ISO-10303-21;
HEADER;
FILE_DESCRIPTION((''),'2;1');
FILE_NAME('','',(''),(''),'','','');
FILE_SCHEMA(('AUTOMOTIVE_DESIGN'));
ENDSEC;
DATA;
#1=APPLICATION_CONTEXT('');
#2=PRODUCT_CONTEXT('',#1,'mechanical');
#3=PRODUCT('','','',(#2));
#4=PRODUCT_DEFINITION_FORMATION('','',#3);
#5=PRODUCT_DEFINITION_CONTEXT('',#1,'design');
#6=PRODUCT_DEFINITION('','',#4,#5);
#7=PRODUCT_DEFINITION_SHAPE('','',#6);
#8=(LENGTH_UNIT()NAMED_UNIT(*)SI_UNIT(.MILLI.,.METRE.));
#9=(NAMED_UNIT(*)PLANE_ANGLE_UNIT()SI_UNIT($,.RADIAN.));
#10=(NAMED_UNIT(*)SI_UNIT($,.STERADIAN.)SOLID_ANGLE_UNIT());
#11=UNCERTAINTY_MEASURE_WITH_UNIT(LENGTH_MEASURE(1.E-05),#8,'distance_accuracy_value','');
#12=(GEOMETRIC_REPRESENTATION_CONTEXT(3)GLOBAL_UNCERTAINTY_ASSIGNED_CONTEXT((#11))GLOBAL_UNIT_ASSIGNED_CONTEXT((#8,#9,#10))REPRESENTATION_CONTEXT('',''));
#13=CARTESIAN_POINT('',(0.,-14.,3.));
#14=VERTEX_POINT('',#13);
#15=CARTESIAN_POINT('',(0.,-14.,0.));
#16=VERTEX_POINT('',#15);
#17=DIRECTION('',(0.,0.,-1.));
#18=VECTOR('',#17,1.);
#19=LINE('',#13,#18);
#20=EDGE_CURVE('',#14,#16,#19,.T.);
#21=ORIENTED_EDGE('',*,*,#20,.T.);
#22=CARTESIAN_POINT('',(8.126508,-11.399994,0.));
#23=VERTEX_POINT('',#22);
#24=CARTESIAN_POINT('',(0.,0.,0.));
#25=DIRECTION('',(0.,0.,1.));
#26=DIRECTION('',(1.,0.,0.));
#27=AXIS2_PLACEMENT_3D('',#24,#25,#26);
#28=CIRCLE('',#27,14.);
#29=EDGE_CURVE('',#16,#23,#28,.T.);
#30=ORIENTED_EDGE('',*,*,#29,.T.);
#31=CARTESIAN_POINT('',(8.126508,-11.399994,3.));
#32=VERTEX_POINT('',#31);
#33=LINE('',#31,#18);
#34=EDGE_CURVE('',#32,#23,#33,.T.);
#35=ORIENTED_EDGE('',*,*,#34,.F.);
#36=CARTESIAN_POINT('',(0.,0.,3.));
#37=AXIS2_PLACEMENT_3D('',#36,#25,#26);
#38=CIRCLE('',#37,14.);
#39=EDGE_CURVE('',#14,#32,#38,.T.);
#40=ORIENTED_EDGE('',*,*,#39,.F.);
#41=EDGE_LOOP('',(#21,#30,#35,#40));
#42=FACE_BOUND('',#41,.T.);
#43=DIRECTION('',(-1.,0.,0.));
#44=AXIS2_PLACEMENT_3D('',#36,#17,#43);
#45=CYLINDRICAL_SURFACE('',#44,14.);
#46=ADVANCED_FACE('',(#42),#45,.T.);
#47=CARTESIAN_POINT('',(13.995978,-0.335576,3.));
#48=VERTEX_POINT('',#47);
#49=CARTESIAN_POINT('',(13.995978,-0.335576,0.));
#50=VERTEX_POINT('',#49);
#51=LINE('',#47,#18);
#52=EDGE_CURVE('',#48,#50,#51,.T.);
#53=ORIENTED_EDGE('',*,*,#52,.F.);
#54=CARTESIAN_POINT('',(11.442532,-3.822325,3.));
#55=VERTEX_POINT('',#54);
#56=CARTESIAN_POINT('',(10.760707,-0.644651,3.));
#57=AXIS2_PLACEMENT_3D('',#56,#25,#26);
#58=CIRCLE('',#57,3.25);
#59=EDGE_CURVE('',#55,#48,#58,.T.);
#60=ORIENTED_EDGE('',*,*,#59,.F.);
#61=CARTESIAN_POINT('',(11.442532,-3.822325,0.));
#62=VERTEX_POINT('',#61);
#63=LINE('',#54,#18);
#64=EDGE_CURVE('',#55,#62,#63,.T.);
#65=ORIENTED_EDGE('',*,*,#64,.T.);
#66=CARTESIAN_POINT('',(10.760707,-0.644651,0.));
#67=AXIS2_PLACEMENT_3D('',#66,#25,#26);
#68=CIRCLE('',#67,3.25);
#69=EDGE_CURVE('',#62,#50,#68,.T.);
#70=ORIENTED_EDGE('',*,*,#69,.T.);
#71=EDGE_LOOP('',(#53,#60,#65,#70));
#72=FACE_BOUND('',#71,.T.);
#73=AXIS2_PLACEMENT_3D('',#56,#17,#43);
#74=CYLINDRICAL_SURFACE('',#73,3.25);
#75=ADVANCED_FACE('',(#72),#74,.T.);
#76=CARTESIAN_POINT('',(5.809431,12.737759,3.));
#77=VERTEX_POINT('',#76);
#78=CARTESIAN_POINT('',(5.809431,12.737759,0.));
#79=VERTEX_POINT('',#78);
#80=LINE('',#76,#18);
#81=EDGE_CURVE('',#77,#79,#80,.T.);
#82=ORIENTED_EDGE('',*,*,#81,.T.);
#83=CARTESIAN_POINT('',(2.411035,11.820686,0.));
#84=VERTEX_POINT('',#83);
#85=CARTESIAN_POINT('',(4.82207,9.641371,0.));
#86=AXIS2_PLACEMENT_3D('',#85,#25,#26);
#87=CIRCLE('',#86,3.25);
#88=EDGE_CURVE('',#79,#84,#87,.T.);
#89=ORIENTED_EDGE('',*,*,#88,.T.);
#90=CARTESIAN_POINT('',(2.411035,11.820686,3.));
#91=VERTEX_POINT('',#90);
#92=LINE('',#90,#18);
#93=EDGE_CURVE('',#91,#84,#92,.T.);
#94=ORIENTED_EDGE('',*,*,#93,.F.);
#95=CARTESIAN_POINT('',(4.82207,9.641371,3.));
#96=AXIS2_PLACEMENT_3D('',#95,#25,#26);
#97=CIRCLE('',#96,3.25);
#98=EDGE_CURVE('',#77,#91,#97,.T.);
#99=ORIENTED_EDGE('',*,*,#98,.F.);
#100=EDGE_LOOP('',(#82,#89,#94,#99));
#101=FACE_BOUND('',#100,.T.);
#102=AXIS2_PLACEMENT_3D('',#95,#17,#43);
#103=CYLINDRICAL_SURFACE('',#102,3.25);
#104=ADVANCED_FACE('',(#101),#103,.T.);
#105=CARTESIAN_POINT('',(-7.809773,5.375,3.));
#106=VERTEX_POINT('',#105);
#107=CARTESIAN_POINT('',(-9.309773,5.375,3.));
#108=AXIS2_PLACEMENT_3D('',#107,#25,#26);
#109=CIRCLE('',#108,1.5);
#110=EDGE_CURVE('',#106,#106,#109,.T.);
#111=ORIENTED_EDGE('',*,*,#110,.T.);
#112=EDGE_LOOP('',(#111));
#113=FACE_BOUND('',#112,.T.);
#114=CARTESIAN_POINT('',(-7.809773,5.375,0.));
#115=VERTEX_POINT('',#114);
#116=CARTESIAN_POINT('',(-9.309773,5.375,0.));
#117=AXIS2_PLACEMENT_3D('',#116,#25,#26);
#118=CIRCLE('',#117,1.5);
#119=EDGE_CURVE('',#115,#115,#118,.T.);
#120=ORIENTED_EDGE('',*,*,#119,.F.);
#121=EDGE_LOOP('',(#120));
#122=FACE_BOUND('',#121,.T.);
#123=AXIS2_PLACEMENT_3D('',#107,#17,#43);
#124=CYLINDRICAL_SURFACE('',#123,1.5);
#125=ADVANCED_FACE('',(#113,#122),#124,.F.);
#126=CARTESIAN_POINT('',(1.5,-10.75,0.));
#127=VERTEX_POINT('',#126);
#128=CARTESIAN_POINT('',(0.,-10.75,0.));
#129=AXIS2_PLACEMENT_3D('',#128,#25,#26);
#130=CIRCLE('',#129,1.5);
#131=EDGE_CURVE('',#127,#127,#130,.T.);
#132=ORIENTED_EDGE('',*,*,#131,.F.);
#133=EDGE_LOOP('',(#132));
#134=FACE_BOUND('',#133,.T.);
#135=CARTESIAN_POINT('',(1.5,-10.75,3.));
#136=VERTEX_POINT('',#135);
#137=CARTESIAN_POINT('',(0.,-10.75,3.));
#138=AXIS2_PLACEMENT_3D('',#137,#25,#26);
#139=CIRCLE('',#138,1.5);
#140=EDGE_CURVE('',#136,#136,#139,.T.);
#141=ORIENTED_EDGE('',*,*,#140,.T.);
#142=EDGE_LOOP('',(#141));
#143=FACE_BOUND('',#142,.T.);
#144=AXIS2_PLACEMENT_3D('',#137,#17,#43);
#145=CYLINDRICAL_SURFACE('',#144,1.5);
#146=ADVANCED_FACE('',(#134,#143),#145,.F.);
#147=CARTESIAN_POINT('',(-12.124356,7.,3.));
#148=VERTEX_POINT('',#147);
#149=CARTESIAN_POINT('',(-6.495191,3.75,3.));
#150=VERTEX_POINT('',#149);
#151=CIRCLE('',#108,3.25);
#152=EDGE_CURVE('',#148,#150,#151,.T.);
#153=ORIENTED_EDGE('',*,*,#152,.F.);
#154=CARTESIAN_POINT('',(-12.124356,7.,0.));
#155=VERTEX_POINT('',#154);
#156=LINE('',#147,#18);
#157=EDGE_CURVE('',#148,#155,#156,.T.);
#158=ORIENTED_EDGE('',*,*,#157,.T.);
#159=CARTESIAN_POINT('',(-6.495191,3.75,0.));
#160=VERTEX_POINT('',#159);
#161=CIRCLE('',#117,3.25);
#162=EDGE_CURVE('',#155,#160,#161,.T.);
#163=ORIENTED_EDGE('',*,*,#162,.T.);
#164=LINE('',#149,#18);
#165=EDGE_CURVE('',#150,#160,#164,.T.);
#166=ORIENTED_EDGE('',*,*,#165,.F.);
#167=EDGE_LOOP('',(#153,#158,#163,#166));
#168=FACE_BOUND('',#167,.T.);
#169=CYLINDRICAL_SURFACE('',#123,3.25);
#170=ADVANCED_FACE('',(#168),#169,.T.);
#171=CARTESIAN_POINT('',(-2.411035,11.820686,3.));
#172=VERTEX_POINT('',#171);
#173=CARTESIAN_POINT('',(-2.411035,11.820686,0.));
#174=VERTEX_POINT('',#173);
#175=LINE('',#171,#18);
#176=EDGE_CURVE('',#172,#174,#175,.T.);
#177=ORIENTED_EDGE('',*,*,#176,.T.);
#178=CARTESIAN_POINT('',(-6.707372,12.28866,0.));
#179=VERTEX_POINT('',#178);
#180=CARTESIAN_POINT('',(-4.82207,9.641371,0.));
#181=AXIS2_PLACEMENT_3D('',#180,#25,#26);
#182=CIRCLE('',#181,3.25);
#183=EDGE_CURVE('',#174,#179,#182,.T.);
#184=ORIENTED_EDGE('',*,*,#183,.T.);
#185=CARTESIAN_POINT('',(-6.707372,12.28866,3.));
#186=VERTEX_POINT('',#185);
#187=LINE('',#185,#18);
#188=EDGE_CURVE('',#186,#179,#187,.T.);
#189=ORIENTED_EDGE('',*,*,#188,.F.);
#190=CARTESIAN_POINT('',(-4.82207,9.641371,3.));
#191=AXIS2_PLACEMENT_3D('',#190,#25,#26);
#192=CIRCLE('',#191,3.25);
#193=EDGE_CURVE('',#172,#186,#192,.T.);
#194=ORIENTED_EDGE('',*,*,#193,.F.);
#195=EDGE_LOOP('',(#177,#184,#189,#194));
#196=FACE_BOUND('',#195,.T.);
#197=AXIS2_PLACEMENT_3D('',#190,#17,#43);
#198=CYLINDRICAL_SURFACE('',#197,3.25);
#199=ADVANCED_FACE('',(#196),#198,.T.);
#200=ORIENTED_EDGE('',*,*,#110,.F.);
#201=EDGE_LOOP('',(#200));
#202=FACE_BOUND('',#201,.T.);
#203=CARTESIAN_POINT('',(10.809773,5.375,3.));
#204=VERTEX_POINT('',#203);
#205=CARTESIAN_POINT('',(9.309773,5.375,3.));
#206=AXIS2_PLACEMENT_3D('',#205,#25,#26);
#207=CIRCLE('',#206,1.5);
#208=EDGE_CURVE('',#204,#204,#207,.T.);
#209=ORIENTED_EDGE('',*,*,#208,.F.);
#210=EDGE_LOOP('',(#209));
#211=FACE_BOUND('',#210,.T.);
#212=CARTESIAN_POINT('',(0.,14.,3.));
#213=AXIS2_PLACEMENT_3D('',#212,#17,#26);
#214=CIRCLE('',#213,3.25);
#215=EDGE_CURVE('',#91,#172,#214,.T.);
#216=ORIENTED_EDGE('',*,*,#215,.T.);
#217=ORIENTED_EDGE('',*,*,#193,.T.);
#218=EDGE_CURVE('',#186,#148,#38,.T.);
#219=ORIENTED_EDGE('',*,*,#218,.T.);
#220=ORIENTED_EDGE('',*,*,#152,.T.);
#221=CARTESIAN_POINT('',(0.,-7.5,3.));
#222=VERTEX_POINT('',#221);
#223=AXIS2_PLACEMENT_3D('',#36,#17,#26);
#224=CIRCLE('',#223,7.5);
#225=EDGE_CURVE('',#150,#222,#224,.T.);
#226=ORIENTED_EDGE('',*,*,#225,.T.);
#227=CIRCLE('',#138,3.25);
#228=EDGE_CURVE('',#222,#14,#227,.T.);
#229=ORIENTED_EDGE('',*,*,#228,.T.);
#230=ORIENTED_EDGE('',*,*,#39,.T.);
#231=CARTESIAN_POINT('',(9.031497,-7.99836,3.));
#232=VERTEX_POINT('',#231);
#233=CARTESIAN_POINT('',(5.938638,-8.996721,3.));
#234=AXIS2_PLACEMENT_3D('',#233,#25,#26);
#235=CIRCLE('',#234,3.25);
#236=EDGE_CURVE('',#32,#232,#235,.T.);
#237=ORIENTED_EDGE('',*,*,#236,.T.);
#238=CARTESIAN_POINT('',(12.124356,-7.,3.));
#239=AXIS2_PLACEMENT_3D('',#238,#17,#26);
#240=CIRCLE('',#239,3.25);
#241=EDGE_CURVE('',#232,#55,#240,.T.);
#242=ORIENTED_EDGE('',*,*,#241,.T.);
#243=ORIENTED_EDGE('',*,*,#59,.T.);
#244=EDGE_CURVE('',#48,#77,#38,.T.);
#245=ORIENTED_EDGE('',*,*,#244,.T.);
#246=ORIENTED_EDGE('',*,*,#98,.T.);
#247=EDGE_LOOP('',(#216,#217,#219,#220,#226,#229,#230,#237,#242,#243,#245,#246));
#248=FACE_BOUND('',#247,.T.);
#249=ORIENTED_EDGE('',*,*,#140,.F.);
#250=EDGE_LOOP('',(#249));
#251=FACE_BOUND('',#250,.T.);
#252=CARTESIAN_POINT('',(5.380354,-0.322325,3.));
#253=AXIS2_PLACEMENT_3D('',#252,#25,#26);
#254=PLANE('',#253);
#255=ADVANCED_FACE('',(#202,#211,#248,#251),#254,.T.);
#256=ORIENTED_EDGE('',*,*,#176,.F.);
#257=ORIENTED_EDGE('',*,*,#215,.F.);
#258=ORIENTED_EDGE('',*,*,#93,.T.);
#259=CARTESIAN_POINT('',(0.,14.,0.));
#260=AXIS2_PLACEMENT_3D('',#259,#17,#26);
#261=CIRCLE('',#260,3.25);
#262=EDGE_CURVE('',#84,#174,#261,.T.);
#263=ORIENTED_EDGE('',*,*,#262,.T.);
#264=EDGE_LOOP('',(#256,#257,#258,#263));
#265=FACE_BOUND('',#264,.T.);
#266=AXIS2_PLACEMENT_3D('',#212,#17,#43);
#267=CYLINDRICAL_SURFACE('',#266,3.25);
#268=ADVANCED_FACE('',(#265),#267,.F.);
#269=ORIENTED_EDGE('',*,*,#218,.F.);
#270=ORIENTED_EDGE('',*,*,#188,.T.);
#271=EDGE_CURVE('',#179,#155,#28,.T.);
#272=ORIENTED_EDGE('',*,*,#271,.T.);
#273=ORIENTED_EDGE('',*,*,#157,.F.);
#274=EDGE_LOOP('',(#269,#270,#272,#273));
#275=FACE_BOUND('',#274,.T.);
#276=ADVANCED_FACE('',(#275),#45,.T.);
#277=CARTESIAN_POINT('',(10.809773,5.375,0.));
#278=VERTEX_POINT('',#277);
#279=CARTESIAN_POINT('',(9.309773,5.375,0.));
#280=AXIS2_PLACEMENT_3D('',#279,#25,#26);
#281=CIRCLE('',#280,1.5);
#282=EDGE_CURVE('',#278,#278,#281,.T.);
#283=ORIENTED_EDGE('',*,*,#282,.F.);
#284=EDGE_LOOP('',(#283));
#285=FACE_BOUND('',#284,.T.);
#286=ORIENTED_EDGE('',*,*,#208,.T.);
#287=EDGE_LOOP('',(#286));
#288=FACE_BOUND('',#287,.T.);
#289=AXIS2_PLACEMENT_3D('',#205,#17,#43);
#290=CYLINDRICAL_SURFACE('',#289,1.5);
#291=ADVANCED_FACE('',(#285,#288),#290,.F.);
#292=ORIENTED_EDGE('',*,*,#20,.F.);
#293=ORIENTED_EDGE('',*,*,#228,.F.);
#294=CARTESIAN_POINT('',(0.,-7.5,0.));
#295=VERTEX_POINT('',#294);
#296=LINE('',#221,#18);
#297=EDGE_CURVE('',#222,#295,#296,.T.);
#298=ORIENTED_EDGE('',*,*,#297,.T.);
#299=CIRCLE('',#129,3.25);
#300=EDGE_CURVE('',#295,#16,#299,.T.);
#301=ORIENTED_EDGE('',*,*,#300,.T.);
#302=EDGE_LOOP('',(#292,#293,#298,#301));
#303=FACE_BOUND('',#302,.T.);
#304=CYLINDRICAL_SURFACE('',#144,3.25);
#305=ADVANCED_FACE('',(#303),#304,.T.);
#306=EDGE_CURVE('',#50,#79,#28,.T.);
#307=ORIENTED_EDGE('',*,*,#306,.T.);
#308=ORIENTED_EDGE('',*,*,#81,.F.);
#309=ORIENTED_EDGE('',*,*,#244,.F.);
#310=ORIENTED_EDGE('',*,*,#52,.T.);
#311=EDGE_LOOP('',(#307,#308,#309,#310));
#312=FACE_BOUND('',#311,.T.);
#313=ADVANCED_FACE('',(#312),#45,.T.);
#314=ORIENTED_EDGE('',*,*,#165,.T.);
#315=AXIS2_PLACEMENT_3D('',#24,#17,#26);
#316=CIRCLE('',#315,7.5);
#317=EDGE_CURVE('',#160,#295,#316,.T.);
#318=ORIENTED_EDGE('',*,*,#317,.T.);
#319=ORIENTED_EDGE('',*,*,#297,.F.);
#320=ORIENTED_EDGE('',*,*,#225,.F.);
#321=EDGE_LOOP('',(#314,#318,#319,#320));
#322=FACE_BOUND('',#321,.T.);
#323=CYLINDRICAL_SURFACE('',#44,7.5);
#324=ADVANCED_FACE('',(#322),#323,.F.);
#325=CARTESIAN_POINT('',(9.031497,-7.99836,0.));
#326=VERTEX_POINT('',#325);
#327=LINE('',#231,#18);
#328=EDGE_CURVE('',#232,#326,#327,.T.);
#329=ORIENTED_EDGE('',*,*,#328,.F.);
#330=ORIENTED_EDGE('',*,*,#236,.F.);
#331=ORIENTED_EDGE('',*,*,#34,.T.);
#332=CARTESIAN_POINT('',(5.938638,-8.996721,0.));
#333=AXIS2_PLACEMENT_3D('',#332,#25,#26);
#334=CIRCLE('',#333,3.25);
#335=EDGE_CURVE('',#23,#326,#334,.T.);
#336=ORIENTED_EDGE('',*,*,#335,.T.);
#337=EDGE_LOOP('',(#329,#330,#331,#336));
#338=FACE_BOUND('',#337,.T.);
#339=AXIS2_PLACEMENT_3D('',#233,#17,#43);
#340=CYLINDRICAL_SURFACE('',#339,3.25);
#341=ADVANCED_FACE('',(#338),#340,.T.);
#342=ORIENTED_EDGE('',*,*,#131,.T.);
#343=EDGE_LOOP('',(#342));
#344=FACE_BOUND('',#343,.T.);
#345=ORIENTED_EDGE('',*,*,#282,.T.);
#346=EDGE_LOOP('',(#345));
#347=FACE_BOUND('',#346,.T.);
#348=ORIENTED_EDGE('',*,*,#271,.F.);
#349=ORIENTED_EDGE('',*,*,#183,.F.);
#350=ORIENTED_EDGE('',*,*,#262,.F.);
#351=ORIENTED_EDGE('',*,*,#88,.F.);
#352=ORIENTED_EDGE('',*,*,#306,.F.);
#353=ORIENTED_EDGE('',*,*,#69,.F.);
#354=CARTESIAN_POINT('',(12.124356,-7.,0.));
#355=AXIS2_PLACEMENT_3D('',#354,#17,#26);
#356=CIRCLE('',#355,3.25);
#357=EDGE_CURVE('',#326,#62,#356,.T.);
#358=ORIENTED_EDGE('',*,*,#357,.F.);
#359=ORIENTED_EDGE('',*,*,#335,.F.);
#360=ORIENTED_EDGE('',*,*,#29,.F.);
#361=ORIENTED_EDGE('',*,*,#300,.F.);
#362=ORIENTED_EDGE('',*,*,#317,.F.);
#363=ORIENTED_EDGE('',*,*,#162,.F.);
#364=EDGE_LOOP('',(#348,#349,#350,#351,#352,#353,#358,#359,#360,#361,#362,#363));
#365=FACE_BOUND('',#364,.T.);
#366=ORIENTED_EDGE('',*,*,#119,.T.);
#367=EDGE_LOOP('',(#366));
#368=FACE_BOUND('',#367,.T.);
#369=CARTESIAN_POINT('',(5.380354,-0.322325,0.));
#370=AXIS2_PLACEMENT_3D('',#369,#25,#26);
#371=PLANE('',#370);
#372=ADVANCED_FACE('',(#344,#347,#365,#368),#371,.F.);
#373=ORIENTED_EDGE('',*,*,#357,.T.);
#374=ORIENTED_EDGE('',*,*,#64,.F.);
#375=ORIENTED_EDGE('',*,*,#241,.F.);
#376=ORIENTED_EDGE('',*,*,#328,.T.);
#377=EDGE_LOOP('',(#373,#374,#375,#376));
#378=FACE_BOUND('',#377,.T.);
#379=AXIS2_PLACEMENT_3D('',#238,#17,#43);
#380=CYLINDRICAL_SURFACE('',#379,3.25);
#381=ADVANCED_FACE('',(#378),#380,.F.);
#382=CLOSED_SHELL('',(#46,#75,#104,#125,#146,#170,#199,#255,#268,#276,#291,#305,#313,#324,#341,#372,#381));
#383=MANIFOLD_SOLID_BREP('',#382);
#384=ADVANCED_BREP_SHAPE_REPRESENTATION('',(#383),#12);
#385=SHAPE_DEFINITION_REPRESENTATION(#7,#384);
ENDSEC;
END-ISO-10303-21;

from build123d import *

# Parameters (mm, degrees)
ESQUISSE1_R        = 1.5
BOSS_EXTRU_2_DEPTH = 3


with BuildPart() as part:
    # Esquisse1 → Boss.-Extru.2 (new body)
    with BuildSketch(Plane.XY):
        with BuildLine():
            ThreePointArc((-2.411034891, 11.820685714), (0, 10.75), (2.411034891, 11.820685714))
            ThreePointArc((2.411034891, 11.820685714), (3.975330286, 12.779130538), (5.80943088, 12.737759334))
            ThreePointArc((5.80943088, 12.737759334), (11.865562564, 7.430237213), (13.995977593, -0.335575935))
            ThreePointArc((13.995977593, -0.335575935), (13.382779595, -2.564868949), (11.442531564, -3.822325392))
            ThreePointArc((11.442531564, -3.822325392), (9.309773091, -5.375), (9.031496673, -7.998360322))
            ThreePointArc((9.031496673, -7.998360322), (9.079386541, -9.832302285), (8.126507731, -11.399994391))
            ThreePointArc((8.126507731, -11.399994391), (4.266150404, -13.334165168), (0, -14))
            ThreePointArc((0, -14), (-3.25, -10.75), (0, -7.5))
            ThreePointArc((0, -7.5), (6.495190528, 3.75), (-6.495190528, 3.75))
            ThreePointArc((-6.495190528, 3.75), (-10.934773091, 2.560417438), (-12.124355653, 7))
            ThreePointArc((-12.124355653, 7), (-9.780131311, 10.017436376), (-6.707371512, 12.288660114))
            ThreePointArc((-6.707371512, 12.288660114), (-4.47014813, 12.872261577), (-2.411034891, 11.820685714))
        make_face()
        with Locations((9.309773091, 5.375)):
            Circle(ESQUISSE1_R, mode=Mode.SUBTRACT)
        with Locations((0, -10.75)):
            Circle(ESQUISSE1_R, mode=Mode.SUBTRACT)
        with Locations((-9.309773091, 5.375)):
            Circle(ESQUISSE1_R, mode=Mode.SUBTRACT)
    extrude(amount=BOSS_EXTRU_2_DEPTH)


solid = part.part
